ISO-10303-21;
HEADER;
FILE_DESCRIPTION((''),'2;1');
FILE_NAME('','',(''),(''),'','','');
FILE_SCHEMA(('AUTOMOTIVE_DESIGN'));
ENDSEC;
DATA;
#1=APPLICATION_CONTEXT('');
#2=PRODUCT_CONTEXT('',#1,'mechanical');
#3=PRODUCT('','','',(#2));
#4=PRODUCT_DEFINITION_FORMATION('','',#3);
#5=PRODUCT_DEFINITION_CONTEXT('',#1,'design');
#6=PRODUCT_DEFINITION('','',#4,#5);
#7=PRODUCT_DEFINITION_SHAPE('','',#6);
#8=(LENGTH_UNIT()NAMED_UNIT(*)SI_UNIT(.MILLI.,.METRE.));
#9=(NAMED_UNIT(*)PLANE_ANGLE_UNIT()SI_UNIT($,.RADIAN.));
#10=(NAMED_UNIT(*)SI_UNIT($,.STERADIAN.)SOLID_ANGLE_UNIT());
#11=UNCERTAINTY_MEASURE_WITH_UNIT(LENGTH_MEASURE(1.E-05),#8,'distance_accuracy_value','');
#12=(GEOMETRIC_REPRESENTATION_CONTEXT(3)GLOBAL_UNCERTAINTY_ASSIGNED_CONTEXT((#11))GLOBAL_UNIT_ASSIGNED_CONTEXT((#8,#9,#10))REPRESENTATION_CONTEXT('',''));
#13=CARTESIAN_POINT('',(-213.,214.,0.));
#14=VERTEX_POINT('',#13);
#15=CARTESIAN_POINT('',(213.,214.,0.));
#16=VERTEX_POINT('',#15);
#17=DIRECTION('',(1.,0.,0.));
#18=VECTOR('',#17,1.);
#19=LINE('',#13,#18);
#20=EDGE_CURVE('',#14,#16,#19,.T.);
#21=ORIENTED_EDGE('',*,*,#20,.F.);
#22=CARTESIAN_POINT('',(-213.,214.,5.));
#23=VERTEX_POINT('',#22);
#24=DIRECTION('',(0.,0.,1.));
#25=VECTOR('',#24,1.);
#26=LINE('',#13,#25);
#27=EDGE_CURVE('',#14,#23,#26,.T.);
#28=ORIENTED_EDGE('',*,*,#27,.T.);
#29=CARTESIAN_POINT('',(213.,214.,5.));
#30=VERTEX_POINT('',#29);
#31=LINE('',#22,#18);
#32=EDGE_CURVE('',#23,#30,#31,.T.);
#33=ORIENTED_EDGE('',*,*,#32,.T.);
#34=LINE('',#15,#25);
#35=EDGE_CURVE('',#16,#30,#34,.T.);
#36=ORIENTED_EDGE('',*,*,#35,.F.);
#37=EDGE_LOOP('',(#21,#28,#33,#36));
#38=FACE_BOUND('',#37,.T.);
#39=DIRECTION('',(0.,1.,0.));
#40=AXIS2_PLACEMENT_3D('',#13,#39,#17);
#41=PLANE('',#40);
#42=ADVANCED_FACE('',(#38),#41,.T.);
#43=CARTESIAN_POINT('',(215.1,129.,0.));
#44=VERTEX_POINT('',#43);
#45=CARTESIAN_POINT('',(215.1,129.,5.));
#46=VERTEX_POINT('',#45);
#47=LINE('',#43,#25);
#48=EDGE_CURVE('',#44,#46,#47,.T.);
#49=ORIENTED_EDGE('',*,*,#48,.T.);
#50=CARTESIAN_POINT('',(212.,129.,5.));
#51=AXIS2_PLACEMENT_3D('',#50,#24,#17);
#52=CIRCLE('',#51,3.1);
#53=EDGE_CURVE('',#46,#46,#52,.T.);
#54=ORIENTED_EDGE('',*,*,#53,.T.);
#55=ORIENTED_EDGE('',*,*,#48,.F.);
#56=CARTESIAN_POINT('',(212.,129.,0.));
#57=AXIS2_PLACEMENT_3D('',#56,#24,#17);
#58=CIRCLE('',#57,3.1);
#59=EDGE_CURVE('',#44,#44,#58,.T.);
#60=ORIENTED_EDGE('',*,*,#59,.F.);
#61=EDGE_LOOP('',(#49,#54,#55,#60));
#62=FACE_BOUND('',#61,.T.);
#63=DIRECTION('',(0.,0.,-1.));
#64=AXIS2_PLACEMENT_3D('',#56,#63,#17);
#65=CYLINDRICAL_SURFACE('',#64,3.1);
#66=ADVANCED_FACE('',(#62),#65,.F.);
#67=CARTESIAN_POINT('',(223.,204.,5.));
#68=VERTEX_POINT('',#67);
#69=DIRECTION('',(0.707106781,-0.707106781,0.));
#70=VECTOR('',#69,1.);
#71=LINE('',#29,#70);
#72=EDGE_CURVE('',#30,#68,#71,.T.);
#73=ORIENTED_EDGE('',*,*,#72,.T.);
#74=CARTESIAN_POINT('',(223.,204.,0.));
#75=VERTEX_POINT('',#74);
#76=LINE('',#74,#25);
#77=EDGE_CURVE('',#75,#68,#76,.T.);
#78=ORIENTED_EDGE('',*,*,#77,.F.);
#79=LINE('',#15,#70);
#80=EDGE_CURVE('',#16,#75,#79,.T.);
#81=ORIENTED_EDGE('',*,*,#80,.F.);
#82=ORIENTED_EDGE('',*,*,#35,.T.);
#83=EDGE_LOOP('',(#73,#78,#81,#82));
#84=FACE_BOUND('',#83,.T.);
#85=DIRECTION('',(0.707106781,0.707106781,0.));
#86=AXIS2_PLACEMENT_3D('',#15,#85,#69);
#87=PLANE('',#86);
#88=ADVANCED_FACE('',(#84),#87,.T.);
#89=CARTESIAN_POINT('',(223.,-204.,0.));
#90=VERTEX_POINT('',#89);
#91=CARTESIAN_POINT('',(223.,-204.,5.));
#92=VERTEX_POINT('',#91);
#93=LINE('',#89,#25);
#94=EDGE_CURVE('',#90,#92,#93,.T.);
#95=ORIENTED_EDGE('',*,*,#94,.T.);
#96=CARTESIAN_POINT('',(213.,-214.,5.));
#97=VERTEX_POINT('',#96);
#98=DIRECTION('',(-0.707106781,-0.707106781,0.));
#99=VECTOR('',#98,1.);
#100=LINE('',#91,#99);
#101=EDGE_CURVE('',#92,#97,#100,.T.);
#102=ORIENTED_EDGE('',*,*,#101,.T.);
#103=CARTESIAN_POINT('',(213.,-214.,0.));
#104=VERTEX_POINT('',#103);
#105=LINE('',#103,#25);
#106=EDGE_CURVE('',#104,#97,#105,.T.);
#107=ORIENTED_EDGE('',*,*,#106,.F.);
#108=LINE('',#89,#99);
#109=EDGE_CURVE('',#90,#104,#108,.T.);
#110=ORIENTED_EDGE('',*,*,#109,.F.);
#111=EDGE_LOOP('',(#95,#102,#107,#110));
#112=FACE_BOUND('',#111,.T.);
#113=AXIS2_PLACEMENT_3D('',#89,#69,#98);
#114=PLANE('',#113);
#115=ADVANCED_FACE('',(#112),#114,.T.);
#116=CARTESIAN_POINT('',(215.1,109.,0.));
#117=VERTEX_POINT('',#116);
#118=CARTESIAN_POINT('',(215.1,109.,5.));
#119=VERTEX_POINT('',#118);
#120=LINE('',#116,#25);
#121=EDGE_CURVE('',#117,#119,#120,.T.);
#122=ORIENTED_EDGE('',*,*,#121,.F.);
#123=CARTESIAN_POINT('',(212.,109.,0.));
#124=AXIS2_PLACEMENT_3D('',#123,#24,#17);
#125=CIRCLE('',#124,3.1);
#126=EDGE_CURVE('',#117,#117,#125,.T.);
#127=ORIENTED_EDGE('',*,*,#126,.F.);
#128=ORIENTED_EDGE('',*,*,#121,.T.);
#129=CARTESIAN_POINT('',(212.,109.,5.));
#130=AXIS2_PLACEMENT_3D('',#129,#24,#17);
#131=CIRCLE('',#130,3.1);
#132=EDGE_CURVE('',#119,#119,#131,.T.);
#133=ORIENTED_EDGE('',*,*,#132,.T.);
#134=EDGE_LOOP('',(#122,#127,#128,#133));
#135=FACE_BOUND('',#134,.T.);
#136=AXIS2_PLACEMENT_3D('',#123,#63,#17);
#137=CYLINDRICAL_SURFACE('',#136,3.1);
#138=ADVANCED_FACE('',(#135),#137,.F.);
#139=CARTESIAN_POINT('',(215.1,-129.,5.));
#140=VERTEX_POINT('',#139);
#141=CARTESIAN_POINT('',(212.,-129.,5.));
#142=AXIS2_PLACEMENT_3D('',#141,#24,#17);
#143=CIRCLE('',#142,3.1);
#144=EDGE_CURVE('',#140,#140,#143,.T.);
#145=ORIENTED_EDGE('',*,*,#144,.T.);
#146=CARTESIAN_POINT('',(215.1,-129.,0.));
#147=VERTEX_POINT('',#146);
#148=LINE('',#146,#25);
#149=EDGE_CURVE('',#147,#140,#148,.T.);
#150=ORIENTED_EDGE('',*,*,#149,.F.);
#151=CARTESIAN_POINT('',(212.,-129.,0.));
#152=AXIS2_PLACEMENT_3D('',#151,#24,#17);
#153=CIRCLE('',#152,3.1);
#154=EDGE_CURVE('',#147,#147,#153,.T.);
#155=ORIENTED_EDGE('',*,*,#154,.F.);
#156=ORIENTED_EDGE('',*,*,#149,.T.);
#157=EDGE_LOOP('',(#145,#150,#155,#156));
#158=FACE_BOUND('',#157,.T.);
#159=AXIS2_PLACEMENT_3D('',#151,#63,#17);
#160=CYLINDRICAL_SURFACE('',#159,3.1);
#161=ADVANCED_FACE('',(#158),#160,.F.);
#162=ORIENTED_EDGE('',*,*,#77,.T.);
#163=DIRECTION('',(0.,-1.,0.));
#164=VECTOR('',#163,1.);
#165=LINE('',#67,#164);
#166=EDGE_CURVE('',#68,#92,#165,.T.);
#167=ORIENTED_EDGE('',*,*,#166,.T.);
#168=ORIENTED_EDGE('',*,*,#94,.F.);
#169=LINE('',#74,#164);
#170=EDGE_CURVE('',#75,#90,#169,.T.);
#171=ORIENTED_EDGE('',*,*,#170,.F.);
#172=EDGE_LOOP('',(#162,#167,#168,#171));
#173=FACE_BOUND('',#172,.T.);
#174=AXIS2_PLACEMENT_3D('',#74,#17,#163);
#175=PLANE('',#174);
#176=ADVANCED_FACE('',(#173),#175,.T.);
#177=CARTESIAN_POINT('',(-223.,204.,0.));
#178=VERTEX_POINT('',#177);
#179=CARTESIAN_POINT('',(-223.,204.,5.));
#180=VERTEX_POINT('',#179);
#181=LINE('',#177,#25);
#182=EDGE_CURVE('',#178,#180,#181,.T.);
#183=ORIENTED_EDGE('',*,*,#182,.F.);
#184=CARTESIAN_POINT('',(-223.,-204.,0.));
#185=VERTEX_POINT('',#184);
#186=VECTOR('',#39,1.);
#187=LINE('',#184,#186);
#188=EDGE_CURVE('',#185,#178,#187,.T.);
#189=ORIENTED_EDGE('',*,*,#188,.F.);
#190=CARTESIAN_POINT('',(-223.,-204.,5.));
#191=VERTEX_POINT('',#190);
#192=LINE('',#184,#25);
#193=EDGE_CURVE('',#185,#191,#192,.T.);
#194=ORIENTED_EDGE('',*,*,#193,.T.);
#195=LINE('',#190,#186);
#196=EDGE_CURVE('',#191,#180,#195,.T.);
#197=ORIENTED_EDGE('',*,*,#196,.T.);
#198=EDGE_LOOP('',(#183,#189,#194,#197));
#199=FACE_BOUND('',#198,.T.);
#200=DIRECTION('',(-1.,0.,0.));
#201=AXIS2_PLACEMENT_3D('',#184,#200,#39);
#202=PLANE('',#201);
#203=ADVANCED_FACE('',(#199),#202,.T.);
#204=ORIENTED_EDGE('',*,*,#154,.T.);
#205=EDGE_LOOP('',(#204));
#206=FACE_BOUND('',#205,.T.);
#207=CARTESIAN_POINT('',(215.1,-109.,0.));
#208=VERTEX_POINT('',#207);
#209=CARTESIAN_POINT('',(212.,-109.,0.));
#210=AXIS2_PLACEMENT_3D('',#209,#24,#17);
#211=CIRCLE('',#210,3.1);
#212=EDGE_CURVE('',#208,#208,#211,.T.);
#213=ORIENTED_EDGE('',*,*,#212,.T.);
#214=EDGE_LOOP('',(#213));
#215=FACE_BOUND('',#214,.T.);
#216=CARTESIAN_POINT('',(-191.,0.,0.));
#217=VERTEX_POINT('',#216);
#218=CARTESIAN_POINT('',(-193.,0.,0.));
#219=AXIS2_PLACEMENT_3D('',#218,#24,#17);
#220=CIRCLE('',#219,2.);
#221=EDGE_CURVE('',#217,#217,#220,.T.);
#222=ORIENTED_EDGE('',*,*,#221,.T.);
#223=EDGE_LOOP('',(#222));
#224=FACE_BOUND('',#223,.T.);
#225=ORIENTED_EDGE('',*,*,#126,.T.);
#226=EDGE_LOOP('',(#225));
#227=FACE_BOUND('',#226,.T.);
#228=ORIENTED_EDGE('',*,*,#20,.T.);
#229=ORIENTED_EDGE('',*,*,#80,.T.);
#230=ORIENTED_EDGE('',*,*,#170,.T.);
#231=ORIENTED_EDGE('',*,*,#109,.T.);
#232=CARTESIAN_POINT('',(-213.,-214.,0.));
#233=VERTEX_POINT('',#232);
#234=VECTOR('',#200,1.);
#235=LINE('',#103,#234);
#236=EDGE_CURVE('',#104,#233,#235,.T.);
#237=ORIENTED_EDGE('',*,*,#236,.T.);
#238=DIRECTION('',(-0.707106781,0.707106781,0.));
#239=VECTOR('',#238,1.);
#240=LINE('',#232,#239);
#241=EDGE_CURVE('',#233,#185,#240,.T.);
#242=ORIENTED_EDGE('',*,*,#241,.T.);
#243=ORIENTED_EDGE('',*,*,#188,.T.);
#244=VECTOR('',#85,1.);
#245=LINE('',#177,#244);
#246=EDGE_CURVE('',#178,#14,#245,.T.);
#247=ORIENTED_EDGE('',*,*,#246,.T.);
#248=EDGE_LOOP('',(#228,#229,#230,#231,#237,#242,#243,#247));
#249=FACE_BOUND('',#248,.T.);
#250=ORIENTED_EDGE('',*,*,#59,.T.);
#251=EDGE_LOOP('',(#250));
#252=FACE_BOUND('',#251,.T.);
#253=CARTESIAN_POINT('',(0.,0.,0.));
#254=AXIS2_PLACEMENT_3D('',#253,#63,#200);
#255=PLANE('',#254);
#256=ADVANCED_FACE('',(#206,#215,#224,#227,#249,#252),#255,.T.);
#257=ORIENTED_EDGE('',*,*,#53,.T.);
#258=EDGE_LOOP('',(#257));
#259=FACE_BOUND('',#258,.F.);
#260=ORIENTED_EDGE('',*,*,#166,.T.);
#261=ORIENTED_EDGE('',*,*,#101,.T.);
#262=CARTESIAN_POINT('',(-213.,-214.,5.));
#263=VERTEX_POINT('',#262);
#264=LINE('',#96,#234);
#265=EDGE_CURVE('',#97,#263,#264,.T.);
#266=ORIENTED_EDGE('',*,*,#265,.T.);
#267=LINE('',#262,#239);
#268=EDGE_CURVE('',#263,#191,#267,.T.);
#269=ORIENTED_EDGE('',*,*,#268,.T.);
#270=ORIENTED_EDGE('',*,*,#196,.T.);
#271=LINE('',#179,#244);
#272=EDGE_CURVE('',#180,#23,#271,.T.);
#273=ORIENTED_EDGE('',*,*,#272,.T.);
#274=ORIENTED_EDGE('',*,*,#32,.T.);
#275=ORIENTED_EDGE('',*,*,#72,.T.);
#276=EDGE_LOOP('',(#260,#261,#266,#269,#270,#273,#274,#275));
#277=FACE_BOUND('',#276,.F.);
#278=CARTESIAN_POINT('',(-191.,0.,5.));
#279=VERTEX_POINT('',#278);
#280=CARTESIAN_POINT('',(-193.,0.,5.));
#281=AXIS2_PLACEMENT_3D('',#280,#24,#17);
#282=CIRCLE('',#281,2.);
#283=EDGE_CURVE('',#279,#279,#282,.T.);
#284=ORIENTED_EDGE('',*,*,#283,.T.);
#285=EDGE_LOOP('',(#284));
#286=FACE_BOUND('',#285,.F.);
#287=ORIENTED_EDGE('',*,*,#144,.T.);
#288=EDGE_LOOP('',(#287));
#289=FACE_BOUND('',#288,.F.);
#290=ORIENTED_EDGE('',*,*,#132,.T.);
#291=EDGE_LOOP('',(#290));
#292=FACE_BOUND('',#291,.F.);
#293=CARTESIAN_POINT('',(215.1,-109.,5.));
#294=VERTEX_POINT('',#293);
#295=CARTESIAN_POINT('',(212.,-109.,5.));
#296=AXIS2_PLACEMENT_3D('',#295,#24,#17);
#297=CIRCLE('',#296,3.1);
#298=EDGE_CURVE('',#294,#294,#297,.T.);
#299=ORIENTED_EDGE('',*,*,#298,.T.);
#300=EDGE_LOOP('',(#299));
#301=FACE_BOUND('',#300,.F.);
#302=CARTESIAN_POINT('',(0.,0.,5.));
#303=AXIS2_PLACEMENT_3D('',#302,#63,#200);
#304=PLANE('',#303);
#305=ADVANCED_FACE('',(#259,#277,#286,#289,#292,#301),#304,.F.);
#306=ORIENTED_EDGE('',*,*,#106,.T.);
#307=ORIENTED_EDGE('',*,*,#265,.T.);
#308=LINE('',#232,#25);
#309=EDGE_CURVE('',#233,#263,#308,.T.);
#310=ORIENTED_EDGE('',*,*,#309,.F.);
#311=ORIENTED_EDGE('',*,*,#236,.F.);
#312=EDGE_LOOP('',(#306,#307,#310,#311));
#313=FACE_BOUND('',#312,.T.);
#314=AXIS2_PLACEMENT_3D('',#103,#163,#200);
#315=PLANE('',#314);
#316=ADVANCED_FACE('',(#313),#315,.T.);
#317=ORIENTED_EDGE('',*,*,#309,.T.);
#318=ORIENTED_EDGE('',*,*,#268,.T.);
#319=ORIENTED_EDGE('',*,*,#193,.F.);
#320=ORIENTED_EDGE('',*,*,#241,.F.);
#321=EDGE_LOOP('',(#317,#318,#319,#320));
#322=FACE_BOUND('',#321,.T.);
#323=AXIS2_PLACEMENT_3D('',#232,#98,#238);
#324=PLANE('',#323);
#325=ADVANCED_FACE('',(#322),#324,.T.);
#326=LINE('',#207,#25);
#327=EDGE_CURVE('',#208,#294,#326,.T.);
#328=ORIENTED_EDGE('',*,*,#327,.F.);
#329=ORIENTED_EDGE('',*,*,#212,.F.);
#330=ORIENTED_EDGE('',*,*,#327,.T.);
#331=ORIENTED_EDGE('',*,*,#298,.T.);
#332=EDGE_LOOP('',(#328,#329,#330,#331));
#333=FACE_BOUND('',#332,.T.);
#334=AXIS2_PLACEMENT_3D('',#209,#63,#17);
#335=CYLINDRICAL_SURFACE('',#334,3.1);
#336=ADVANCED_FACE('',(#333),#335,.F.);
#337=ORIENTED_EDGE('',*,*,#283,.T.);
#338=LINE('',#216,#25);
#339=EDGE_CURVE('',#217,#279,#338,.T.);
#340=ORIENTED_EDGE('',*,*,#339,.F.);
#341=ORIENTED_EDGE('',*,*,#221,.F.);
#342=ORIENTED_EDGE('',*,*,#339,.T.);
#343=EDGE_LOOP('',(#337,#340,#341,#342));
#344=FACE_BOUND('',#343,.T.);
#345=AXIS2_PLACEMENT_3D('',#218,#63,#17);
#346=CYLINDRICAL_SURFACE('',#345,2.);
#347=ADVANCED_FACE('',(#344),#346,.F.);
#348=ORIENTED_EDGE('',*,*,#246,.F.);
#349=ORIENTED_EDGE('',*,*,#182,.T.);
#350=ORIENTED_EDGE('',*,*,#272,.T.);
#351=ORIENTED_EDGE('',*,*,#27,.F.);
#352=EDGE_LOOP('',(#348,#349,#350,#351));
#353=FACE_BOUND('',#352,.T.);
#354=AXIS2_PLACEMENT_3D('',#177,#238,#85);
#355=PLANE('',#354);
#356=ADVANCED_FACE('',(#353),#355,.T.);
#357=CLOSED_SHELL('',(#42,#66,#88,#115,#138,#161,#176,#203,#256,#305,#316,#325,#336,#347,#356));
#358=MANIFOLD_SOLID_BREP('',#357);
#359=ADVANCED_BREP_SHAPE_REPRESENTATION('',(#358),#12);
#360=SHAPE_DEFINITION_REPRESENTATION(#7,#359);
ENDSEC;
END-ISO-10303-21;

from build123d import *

# Parameters (mm, degrees)
SCHIZZO1_R                   = 3.1
SCHIZZO1_R_2                 = 2
ESTRUSIONE_ESTRUSIONE1_DEPTH = 5


with BuildPart() as part:
    # Schizzo1 → Estrusione-Estrusione1 (new body)
    with BuildSketch(Plane.XY):
        Polygon((-223, 204), (-213, 214), (213, 214), (223, 204), (223, -204), (213, -214), (-213, -214), (-223, -204), align=None)
        with Locations((212, 129)):
            Circle(SCHIZZO1_R, mode=Mode.SUBTRACT)
        with Locations((212, 109)):
            Circle(SCHIZZO1_R, mode=Mode.SUBTRACT)
        with Locations((212, -109)):
            Circle(SCHIZZO1_R, mode=Mode.SUBTRACT)
        with Locations((212, -129)):
            Circle(SCHIZZO1_R, mode=Mode.SUBTRACT)
        with Locations((-193, 0)):
            Circle(SCHIZZO1_R_2, mode=Mode.SUBTRACT)
    extrude(amount=ESTRUSIONE_ESTRUSIONE1_DEPTH)


solid = part.part
